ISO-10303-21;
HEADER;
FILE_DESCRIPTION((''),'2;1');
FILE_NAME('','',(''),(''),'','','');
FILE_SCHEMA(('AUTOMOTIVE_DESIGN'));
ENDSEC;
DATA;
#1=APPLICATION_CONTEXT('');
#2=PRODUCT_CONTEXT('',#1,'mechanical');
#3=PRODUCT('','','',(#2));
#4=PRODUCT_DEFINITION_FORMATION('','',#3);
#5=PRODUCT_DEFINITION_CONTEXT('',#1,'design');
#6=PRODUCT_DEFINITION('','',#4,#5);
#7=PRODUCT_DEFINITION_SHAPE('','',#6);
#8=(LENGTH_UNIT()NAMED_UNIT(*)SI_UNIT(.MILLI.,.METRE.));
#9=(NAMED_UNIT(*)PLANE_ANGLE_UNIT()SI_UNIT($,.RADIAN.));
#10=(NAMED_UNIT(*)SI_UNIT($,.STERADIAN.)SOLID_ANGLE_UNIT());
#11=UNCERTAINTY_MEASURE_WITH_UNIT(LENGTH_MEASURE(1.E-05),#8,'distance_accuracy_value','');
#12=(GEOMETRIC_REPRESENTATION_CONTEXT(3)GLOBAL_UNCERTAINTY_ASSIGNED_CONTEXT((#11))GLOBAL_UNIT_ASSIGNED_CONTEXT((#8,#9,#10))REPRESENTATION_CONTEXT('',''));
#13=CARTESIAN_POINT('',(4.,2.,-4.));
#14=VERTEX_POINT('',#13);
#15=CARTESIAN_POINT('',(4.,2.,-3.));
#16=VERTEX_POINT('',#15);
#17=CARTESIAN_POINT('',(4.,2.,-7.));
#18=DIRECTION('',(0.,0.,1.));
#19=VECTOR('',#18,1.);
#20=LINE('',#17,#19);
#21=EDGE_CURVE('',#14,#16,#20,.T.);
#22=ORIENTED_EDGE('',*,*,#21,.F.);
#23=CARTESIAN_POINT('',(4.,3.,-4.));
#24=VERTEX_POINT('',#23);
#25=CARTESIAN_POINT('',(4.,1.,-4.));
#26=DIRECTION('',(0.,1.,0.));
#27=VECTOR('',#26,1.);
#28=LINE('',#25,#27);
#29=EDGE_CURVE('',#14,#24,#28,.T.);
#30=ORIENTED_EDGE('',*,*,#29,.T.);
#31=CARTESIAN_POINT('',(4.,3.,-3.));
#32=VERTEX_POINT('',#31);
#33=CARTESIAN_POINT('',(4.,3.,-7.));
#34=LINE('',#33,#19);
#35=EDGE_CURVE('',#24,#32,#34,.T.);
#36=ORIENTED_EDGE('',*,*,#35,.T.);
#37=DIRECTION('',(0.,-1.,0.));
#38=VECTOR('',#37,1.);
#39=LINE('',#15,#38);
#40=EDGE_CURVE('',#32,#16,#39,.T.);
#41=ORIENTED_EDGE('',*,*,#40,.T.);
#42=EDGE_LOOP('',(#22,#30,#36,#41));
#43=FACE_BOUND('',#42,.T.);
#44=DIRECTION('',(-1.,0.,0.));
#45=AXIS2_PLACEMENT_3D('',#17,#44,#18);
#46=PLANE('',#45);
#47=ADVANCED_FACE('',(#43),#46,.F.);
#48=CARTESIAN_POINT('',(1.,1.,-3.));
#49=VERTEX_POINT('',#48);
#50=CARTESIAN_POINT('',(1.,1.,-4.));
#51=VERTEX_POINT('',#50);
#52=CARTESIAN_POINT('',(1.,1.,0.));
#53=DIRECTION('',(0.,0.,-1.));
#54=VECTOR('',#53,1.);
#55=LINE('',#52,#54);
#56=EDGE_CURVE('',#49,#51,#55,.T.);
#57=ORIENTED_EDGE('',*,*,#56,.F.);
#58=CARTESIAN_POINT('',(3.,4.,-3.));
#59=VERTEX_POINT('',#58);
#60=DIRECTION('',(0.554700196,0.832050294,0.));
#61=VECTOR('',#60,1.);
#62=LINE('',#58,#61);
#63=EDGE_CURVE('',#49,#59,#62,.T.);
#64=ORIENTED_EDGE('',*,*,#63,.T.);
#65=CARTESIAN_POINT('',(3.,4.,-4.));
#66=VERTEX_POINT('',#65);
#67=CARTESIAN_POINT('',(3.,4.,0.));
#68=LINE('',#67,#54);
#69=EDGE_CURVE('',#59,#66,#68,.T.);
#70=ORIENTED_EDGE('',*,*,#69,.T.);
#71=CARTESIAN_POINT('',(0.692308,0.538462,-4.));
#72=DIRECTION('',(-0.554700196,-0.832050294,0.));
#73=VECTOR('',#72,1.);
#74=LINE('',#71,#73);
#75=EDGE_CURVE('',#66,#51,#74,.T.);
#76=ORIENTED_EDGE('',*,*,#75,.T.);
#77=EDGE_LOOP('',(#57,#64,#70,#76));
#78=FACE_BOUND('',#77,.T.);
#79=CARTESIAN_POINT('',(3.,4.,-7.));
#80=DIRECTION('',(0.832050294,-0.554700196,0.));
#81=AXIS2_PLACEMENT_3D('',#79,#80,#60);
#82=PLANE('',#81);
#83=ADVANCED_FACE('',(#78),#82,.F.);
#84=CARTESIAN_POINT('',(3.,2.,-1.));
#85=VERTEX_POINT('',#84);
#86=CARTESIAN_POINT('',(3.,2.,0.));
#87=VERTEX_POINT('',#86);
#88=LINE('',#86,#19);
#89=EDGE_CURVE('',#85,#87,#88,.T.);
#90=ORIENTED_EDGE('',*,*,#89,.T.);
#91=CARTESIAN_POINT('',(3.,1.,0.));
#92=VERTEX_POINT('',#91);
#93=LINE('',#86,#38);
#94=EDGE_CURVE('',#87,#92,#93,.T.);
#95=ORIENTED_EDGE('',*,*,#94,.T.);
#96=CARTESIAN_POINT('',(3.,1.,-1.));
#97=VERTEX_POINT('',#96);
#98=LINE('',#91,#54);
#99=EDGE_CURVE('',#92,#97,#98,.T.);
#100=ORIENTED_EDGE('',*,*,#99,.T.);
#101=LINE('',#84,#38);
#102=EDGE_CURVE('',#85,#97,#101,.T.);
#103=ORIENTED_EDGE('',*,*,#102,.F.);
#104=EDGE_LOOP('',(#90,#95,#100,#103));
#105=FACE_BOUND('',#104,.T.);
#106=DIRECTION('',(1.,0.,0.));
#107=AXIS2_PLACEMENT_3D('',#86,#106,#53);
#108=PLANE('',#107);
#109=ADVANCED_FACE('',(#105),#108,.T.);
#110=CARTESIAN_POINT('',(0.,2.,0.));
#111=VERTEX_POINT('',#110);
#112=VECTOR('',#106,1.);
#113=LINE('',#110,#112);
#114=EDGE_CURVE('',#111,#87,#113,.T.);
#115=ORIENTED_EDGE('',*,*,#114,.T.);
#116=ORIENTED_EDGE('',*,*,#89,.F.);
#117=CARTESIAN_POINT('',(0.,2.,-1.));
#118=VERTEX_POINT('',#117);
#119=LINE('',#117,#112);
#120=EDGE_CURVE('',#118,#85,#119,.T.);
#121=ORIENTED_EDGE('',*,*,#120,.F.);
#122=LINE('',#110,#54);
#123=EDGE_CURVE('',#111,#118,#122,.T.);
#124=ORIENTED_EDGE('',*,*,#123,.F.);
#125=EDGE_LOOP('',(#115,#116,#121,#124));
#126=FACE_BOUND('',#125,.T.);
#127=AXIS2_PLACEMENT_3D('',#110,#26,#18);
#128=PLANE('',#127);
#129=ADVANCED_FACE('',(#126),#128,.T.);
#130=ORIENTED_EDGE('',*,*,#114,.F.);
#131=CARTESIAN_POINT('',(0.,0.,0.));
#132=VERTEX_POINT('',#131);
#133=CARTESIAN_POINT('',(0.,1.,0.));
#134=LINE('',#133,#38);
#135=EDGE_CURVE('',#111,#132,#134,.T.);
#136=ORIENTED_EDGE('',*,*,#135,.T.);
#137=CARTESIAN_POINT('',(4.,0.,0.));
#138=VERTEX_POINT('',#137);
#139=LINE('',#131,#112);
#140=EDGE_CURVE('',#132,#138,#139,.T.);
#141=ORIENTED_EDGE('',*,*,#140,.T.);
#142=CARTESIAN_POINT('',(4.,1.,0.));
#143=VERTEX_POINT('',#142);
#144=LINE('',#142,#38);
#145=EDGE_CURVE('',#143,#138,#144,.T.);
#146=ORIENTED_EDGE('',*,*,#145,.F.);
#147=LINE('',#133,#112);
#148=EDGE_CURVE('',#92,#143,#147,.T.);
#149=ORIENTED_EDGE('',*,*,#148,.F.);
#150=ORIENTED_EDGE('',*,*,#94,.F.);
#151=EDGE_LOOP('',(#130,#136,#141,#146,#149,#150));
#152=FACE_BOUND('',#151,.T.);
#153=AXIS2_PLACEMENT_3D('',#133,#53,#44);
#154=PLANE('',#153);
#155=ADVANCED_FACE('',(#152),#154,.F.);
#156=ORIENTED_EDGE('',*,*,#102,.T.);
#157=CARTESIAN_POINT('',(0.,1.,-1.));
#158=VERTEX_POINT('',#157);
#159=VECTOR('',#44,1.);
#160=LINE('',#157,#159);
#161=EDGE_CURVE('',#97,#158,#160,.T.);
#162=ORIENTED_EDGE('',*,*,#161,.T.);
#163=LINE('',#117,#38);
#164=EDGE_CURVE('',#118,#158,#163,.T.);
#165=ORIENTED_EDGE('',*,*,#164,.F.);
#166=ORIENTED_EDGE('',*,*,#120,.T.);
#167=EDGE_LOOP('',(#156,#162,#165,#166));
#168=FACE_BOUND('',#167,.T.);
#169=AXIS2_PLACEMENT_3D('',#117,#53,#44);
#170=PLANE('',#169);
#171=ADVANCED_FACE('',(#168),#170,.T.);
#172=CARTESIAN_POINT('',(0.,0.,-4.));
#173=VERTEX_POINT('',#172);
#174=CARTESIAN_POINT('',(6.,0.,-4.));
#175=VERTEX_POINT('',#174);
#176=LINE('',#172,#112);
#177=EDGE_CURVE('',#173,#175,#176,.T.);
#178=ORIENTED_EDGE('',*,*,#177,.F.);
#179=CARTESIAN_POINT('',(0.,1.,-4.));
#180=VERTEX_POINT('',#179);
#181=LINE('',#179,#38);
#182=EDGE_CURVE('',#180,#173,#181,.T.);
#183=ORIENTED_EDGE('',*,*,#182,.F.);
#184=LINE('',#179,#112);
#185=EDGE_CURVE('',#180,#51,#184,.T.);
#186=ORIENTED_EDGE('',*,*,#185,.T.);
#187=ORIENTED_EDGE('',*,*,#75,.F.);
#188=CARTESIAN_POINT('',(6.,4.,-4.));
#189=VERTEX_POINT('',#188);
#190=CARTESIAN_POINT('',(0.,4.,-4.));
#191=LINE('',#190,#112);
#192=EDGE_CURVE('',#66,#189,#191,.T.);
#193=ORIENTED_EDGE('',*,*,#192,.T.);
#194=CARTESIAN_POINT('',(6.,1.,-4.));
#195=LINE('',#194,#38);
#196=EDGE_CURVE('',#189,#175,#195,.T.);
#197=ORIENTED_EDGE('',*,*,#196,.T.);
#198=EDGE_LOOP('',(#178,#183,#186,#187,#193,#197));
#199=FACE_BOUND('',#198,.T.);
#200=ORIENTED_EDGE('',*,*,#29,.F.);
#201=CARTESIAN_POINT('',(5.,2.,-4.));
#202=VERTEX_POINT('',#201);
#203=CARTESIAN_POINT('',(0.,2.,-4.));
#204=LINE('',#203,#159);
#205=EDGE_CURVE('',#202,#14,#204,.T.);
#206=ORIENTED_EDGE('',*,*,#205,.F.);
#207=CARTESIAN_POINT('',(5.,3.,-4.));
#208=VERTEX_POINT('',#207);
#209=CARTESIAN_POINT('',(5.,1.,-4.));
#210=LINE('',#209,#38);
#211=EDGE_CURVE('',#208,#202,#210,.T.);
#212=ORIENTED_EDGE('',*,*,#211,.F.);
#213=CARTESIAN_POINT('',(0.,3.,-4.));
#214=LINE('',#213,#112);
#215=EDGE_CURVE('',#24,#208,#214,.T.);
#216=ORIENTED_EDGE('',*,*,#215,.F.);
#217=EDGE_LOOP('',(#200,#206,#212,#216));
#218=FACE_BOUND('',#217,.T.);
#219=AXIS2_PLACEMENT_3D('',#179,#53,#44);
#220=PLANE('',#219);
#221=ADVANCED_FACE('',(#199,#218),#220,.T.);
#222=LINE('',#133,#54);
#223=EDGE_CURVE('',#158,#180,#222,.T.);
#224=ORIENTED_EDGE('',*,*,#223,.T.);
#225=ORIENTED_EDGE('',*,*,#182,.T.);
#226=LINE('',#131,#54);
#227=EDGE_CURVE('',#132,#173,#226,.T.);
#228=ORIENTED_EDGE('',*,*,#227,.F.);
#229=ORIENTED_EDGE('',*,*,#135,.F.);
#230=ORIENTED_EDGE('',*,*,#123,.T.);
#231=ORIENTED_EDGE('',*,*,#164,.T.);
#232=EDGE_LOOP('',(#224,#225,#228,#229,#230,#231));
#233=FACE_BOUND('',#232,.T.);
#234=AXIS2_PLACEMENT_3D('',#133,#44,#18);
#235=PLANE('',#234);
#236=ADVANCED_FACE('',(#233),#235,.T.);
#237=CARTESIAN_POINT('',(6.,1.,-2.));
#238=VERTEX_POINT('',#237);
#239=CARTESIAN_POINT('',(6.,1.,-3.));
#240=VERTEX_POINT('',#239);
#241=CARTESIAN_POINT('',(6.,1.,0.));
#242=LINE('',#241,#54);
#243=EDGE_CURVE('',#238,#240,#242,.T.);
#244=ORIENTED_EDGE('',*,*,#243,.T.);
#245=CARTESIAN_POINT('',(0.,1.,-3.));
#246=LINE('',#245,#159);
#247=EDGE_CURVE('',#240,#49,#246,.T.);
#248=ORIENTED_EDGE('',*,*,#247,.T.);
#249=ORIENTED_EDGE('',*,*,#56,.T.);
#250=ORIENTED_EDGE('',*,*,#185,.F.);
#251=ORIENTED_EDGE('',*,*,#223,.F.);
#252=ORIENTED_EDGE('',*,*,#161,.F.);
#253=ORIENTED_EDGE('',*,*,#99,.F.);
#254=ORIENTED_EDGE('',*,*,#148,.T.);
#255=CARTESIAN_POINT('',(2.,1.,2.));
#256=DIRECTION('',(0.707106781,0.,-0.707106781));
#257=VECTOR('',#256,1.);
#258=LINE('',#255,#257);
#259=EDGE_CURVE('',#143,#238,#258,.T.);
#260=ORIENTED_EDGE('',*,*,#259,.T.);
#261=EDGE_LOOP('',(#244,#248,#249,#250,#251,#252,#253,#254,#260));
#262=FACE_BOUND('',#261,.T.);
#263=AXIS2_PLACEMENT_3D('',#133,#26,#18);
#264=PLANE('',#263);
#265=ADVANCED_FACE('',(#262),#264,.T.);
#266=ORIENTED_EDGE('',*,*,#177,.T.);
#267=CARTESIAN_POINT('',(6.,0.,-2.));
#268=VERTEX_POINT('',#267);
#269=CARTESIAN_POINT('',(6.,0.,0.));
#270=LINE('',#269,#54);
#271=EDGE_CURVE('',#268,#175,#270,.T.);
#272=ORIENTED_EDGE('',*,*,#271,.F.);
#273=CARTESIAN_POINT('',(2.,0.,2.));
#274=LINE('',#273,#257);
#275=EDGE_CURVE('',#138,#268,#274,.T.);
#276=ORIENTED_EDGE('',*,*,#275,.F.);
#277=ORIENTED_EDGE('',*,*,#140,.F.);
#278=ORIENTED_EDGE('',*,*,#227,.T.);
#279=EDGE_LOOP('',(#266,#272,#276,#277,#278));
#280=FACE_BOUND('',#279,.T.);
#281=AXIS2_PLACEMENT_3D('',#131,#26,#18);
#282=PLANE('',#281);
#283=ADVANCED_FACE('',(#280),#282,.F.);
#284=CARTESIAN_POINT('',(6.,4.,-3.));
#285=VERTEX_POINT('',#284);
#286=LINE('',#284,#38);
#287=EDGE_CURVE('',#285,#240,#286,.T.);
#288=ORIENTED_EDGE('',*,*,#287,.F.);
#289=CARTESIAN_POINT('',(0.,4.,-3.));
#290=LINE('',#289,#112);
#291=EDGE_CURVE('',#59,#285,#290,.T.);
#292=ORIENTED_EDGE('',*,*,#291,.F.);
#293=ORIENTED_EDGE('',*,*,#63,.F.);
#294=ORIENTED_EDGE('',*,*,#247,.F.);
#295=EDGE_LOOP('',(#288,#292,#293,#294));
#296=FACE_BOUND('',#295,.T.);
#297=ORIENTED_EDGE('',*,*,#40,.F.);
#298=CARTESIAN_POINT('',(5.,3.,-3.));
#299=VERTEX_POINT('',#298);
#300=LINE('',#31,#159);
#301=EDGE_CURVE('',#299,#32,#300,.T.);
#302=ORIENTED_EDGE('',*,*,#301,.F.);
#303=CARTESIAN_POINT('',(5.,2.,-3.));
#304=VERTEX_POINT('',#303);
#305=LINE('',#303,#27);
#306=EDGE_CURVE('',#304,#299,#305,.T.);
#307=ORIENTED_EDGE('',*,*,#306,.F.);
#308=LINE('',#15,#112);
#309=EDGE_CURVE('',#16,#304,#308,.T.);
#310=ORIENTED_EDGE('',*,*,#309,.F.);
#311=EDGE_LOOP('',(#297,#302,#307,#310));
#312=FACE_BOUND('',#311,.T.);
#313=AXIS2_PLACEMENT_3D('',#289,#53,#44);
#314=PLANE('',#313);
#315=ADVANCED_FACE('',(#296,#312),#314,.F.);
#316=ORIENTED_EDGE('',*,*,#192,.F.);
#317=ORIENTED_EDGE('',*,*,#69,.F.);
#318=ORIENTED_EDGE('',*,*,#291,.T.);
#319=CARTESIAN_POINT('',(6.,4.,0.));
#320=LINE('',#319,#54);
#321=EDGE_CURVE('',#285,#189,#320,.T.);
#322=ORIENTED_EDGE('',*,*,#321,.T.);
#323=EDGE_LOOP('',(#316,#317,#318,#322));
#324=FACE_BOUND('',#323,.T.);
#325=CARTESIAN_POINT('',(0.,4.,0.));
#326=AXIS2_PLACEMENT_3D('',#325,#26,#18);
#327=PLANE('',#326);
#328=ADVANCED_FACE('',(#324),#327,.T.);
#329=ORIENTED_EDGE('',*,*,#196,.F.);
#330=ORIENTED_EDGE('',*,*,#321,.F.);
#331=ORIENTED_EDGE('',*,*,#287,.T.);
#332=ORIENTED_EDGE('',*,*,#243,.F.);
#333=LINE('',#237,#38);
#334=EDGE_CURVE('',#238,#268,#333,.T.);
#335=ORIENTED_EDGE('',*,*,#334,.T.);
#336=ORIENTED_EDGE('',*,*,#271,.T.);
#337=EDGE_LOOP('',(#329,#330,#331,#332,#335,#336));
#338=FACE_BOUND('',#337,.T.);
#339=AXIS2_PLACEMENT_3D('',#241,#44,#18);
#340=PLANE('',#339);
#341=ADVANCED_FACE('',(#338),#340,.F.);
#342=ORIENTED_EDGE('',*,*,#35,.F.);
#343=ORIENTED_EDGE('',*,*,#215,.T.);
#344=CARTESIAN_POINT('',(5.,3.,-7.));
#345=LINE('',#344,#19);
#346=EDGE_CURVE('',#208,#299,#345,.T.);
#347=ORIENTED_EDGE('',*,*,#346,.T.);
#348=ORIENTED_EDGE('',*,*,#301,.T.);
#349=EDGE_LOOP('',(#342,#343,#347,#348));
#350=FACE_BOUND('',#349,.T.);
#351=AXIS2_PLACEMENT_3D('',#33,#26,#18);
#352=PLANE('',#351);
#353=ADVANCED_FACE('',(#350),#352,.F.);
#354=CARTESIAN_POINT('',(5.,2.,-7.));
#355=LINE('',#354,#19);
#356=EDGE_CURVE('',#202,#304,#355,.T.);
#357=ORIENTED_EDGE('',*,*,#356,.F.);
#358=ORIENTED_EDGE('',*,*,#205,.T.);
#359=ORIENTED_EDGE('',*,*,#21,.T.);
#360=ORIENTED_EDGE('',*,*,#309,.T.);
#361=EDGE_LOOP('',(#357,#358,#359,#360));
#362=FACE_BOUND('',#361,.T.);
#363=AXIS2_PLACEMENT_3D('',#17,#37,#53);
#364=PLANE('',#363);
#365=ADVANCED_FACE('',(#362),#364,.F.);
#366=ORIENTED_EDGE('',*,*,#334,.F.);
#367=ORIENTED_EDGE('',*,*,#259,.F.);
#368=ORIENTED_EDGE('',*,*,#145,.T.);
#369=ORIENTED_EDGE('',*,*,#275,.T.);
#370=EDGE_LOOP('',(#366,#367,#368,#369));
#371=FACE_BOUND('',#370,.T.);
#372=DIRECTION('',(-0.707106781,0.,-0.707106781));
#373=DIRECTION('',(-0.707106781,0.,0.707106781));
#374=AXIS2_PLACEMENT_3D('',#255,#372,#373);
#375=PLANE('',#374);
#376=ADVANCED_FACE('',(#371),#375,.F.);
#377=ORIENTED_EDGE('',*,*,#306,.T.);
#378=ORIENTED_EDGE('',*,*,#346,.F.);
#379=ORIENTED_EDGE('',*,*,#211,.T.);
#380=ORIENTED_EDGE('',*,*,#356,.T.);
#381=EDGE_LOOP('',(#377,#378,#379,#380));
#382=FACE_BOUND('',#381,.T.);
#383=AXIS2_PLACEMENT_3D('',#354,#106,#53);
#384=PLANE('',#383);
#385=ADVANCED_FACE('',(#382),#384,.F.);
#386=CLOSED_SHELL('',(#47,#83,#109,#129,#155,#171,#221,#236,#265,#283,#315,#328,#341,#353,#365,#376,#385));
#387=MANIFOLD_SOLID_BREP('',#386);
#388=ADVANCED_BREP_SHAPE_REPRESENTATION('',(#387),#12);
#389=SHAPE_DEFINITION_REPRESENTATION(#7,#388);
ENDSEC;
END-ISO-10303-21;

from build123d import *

# Parameters (mm, degrees)
EXTRUDE_1_DEPTH     = 1
SKETCH_1_3_W        = 3
SKETCH_1_3_H        = 1
EXTRUDE_2_DEPTH     = 2
SKETCH_1_4_W        = 5
SKETCH_1_4_H        = 1
EXTRUDE_3_DEPTH     = 4
SKETCH_2_W          = 1
SKETCH_2_H          = 1
CUT_EXTRUDE_1_DEPTH = 4


with BuildPart() as part:
    # 草圖1 → 填料-伸長1 (new body)
    with BuildSketch(Plane(origin=(0, 0, 0), x_dir=(1, 0, 0), z_dir=(0, 1, 0))):
        Polygon((4, 0), (6, 2), (6, 4), (0, 4), (0, 0), align=None)
    extrude(amount=EXTRUDE_1_DEPTH)

    # 草圖1<3> → 填料-伸長2 (add)
    with BuildSketch(Plane(origin=(0, 0, 0), x_dir=(1, 0, 0), z_dir=(0, 1, 0))):
        with Locations((1.5, 0.5)):
            Rectangle(SKETCH_1_3_W, SKETCH_1_3_H)
    extrude(amount=EXTRUDE_2_DEPTH)

    # 草圖1<4> → 填料-伸長3 (add)
    with BuildSketch(Plane(origin=(0, 0, 0), x_dir=(1, 0, 0), z_dir=(0, 1, 0))):
        with Locations((3.5, 3.5)):
            Rectangle(SKETCH_1_4_W, SKETCH_1_4_H)
    extrude(amount=EXTRUDE_3_DEPTH)

    # 草圖2 → 除料-伸長1 (cut)
    with BuildSketch(Plane.XY.offset(-3)):
        with Locations((4.5, 2.5)):
            Rectangle(SKETCH_2_W, SKETCH_2_H)
        Polygon((1, 4), (3, 4), (1, 1), align=None)
    extrude(amount=-CUT_EXTRUDE_1_DEPTH, mode=Mode.SUBTRACT)


solid = part.part
